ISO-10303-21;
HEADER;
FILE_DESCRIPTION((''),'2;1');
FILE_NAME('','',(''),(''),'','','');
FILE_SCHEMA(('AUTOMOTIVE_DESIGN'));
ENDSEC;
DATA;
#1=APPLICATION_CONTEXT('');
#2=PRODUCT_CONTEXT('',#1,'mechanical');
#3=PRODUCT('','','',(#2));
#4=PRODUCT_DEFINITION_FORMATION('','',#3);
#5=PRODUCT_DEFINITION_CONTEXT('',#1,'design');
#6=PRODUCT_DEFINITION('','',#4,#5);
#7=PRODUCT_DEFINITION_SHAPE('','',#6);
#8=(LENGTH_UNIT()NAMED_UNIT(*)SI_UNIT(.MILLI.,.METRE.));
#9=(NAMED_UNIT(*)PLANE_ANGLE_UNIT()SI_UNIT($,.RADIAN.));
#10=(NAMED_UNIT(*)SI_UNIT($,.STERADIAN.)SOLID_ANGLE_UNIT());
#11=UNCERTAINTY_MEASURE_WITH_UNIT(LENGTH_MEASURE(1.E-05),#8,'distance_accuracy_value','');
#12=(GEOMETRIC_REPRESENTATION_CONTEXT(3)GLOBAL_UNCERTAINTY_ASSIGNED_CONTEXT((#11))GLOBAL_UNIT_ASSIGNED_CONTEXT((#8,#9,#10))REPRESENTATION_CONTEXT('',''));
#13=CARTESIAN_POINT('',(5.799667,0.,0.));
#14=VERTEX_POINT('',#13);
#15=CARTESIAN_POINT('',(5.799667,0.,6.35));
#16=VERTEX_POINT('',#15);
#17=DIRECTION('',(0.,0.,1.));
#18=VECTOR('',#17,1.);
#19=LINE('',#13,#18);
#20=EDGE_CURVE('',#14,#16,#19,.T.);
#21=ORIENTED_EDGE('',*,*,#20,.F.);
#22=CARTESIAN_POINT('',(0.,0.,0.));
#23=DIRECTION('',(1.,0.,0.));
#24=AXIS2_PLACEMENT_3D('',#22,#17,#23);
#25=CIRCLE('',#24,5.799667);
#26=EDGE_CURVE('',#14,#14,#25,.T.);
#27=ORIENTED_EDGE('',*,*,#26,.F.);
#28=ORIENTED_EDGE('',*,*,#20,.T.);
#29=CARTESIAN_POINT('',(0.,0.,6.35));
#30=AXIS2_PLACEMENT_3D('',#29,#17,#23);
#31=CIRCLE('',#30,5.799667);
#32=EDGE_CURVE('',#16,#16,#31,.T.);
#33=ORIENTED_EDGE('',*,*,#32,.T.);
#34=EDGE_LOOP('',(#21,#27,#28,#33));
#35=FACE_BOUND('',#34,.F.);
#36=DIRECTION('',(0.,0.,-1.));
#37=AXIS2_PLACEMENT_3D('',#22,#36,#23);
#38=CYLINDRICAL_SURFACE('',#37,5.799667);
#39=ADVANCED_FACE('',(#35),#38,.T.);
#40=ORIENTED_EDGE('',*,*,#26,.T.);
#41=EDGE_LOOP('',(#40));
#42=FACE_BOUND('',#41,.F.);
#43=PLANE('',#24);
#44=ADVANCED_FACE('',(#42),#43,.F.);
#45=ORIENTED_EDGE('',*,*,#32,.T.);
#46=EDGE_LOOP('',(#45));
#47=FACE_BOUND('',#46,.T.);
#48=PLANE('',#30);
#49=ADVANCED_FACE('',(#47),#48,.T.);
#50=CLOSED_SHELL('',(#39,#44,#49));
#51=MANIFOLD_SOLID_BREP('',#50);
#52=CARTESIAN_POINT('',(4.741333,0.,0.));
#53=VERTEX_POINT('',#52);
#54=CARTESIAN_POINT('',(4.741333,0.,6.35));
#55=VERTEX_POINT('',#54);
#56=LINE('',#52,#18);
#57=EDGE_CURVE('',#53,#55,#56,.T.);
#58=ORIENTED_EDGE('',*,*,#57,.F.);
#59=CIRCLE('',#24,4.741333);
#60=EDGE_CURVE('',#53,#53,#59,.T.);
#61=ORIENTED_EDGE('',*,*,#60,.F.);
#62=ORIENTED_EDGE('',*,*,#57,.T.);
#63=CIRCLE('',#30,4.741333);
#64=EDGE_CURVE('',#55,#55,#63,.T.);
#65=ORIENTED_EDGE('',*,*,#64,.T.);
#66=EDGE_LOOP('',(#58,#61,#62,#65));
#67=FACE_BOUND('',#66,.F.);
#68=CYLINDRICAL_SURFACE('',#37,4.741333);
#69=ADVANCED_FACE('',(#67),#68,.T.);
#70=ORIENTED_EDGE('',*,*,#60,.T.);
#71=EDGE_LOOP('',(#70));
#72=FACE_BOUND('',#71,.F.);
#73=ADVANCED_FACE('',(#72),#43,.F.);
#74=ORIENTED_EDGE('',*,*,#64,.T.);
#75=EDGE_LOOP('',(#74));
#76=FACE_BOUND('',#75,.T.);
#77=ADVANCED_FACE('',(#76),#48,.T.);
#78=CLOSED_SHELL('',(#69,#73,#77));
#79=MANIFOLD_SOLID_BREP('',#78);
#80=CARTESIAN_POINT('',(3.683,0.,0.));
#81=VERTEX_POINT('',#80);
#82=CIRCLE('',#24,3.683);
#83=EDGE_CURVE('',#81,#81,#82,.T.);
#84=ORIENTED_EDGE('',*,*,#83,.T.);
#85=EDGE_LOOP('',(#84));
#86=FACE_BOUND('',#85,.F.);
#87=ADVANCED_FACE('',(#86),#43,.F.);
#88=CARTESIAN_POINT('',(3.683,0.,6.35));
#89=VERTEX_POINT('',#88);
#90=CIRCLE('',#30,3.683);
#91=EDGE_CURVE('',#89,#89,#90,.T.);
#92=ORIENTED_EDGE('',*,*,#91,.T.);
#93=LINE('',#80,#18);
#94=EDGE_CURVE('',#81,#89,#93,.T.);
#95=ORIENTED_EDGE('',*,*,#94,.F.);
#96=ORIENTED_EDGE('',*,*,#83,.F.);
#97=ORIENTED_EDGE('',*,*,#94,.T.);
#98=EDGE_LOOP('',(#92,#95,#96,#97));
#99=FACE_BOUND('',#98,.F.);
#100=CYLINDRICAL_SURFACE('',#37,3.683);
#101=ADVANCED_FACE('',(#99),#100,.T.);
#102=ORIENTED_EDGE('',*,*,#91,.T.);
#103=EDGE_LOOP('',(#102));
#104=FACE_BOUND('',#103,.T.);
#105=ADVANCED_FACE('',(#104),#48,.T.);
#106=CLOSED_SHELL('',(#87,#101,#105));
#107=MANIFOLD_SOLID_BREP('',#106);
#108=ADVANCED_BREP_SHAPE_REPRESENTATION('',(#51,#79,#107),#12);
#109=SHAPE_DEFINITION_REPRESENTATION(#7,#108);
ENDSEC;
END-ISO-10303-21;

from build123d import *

# Parameters (mm, degrees)
F0_R     = 3.683
F1_DEPTH = 6.35
F2_R     = 4.741333
F3_DEPTH = 6.35
F4_R     = 5.799667
F5_DEPTH = 6.35


with BuildPart() as f1:
    # F0 (on Top) → F1 (new body)
    with BuildSketch(Plane.XY):
        Circle(F0_R)
    extrude(amount=F1_DEPTH)


with BuildPart() as f3:
    # F2 (on Top) → F3 (new body)
    with BuildSketch(Plane.XY):
        Circle(F2_R)
    extrude(amount=F3_DEPTH)


with BuildPart() as f5:
    # F4 (on Top) → F5 (new body)
    with BuildSketch(Plane.XY):
        Circle(F4_R)
    extrude(amount=F5_DEPTH)


solid = Compound([f1.part, f3.part, f5.part])
